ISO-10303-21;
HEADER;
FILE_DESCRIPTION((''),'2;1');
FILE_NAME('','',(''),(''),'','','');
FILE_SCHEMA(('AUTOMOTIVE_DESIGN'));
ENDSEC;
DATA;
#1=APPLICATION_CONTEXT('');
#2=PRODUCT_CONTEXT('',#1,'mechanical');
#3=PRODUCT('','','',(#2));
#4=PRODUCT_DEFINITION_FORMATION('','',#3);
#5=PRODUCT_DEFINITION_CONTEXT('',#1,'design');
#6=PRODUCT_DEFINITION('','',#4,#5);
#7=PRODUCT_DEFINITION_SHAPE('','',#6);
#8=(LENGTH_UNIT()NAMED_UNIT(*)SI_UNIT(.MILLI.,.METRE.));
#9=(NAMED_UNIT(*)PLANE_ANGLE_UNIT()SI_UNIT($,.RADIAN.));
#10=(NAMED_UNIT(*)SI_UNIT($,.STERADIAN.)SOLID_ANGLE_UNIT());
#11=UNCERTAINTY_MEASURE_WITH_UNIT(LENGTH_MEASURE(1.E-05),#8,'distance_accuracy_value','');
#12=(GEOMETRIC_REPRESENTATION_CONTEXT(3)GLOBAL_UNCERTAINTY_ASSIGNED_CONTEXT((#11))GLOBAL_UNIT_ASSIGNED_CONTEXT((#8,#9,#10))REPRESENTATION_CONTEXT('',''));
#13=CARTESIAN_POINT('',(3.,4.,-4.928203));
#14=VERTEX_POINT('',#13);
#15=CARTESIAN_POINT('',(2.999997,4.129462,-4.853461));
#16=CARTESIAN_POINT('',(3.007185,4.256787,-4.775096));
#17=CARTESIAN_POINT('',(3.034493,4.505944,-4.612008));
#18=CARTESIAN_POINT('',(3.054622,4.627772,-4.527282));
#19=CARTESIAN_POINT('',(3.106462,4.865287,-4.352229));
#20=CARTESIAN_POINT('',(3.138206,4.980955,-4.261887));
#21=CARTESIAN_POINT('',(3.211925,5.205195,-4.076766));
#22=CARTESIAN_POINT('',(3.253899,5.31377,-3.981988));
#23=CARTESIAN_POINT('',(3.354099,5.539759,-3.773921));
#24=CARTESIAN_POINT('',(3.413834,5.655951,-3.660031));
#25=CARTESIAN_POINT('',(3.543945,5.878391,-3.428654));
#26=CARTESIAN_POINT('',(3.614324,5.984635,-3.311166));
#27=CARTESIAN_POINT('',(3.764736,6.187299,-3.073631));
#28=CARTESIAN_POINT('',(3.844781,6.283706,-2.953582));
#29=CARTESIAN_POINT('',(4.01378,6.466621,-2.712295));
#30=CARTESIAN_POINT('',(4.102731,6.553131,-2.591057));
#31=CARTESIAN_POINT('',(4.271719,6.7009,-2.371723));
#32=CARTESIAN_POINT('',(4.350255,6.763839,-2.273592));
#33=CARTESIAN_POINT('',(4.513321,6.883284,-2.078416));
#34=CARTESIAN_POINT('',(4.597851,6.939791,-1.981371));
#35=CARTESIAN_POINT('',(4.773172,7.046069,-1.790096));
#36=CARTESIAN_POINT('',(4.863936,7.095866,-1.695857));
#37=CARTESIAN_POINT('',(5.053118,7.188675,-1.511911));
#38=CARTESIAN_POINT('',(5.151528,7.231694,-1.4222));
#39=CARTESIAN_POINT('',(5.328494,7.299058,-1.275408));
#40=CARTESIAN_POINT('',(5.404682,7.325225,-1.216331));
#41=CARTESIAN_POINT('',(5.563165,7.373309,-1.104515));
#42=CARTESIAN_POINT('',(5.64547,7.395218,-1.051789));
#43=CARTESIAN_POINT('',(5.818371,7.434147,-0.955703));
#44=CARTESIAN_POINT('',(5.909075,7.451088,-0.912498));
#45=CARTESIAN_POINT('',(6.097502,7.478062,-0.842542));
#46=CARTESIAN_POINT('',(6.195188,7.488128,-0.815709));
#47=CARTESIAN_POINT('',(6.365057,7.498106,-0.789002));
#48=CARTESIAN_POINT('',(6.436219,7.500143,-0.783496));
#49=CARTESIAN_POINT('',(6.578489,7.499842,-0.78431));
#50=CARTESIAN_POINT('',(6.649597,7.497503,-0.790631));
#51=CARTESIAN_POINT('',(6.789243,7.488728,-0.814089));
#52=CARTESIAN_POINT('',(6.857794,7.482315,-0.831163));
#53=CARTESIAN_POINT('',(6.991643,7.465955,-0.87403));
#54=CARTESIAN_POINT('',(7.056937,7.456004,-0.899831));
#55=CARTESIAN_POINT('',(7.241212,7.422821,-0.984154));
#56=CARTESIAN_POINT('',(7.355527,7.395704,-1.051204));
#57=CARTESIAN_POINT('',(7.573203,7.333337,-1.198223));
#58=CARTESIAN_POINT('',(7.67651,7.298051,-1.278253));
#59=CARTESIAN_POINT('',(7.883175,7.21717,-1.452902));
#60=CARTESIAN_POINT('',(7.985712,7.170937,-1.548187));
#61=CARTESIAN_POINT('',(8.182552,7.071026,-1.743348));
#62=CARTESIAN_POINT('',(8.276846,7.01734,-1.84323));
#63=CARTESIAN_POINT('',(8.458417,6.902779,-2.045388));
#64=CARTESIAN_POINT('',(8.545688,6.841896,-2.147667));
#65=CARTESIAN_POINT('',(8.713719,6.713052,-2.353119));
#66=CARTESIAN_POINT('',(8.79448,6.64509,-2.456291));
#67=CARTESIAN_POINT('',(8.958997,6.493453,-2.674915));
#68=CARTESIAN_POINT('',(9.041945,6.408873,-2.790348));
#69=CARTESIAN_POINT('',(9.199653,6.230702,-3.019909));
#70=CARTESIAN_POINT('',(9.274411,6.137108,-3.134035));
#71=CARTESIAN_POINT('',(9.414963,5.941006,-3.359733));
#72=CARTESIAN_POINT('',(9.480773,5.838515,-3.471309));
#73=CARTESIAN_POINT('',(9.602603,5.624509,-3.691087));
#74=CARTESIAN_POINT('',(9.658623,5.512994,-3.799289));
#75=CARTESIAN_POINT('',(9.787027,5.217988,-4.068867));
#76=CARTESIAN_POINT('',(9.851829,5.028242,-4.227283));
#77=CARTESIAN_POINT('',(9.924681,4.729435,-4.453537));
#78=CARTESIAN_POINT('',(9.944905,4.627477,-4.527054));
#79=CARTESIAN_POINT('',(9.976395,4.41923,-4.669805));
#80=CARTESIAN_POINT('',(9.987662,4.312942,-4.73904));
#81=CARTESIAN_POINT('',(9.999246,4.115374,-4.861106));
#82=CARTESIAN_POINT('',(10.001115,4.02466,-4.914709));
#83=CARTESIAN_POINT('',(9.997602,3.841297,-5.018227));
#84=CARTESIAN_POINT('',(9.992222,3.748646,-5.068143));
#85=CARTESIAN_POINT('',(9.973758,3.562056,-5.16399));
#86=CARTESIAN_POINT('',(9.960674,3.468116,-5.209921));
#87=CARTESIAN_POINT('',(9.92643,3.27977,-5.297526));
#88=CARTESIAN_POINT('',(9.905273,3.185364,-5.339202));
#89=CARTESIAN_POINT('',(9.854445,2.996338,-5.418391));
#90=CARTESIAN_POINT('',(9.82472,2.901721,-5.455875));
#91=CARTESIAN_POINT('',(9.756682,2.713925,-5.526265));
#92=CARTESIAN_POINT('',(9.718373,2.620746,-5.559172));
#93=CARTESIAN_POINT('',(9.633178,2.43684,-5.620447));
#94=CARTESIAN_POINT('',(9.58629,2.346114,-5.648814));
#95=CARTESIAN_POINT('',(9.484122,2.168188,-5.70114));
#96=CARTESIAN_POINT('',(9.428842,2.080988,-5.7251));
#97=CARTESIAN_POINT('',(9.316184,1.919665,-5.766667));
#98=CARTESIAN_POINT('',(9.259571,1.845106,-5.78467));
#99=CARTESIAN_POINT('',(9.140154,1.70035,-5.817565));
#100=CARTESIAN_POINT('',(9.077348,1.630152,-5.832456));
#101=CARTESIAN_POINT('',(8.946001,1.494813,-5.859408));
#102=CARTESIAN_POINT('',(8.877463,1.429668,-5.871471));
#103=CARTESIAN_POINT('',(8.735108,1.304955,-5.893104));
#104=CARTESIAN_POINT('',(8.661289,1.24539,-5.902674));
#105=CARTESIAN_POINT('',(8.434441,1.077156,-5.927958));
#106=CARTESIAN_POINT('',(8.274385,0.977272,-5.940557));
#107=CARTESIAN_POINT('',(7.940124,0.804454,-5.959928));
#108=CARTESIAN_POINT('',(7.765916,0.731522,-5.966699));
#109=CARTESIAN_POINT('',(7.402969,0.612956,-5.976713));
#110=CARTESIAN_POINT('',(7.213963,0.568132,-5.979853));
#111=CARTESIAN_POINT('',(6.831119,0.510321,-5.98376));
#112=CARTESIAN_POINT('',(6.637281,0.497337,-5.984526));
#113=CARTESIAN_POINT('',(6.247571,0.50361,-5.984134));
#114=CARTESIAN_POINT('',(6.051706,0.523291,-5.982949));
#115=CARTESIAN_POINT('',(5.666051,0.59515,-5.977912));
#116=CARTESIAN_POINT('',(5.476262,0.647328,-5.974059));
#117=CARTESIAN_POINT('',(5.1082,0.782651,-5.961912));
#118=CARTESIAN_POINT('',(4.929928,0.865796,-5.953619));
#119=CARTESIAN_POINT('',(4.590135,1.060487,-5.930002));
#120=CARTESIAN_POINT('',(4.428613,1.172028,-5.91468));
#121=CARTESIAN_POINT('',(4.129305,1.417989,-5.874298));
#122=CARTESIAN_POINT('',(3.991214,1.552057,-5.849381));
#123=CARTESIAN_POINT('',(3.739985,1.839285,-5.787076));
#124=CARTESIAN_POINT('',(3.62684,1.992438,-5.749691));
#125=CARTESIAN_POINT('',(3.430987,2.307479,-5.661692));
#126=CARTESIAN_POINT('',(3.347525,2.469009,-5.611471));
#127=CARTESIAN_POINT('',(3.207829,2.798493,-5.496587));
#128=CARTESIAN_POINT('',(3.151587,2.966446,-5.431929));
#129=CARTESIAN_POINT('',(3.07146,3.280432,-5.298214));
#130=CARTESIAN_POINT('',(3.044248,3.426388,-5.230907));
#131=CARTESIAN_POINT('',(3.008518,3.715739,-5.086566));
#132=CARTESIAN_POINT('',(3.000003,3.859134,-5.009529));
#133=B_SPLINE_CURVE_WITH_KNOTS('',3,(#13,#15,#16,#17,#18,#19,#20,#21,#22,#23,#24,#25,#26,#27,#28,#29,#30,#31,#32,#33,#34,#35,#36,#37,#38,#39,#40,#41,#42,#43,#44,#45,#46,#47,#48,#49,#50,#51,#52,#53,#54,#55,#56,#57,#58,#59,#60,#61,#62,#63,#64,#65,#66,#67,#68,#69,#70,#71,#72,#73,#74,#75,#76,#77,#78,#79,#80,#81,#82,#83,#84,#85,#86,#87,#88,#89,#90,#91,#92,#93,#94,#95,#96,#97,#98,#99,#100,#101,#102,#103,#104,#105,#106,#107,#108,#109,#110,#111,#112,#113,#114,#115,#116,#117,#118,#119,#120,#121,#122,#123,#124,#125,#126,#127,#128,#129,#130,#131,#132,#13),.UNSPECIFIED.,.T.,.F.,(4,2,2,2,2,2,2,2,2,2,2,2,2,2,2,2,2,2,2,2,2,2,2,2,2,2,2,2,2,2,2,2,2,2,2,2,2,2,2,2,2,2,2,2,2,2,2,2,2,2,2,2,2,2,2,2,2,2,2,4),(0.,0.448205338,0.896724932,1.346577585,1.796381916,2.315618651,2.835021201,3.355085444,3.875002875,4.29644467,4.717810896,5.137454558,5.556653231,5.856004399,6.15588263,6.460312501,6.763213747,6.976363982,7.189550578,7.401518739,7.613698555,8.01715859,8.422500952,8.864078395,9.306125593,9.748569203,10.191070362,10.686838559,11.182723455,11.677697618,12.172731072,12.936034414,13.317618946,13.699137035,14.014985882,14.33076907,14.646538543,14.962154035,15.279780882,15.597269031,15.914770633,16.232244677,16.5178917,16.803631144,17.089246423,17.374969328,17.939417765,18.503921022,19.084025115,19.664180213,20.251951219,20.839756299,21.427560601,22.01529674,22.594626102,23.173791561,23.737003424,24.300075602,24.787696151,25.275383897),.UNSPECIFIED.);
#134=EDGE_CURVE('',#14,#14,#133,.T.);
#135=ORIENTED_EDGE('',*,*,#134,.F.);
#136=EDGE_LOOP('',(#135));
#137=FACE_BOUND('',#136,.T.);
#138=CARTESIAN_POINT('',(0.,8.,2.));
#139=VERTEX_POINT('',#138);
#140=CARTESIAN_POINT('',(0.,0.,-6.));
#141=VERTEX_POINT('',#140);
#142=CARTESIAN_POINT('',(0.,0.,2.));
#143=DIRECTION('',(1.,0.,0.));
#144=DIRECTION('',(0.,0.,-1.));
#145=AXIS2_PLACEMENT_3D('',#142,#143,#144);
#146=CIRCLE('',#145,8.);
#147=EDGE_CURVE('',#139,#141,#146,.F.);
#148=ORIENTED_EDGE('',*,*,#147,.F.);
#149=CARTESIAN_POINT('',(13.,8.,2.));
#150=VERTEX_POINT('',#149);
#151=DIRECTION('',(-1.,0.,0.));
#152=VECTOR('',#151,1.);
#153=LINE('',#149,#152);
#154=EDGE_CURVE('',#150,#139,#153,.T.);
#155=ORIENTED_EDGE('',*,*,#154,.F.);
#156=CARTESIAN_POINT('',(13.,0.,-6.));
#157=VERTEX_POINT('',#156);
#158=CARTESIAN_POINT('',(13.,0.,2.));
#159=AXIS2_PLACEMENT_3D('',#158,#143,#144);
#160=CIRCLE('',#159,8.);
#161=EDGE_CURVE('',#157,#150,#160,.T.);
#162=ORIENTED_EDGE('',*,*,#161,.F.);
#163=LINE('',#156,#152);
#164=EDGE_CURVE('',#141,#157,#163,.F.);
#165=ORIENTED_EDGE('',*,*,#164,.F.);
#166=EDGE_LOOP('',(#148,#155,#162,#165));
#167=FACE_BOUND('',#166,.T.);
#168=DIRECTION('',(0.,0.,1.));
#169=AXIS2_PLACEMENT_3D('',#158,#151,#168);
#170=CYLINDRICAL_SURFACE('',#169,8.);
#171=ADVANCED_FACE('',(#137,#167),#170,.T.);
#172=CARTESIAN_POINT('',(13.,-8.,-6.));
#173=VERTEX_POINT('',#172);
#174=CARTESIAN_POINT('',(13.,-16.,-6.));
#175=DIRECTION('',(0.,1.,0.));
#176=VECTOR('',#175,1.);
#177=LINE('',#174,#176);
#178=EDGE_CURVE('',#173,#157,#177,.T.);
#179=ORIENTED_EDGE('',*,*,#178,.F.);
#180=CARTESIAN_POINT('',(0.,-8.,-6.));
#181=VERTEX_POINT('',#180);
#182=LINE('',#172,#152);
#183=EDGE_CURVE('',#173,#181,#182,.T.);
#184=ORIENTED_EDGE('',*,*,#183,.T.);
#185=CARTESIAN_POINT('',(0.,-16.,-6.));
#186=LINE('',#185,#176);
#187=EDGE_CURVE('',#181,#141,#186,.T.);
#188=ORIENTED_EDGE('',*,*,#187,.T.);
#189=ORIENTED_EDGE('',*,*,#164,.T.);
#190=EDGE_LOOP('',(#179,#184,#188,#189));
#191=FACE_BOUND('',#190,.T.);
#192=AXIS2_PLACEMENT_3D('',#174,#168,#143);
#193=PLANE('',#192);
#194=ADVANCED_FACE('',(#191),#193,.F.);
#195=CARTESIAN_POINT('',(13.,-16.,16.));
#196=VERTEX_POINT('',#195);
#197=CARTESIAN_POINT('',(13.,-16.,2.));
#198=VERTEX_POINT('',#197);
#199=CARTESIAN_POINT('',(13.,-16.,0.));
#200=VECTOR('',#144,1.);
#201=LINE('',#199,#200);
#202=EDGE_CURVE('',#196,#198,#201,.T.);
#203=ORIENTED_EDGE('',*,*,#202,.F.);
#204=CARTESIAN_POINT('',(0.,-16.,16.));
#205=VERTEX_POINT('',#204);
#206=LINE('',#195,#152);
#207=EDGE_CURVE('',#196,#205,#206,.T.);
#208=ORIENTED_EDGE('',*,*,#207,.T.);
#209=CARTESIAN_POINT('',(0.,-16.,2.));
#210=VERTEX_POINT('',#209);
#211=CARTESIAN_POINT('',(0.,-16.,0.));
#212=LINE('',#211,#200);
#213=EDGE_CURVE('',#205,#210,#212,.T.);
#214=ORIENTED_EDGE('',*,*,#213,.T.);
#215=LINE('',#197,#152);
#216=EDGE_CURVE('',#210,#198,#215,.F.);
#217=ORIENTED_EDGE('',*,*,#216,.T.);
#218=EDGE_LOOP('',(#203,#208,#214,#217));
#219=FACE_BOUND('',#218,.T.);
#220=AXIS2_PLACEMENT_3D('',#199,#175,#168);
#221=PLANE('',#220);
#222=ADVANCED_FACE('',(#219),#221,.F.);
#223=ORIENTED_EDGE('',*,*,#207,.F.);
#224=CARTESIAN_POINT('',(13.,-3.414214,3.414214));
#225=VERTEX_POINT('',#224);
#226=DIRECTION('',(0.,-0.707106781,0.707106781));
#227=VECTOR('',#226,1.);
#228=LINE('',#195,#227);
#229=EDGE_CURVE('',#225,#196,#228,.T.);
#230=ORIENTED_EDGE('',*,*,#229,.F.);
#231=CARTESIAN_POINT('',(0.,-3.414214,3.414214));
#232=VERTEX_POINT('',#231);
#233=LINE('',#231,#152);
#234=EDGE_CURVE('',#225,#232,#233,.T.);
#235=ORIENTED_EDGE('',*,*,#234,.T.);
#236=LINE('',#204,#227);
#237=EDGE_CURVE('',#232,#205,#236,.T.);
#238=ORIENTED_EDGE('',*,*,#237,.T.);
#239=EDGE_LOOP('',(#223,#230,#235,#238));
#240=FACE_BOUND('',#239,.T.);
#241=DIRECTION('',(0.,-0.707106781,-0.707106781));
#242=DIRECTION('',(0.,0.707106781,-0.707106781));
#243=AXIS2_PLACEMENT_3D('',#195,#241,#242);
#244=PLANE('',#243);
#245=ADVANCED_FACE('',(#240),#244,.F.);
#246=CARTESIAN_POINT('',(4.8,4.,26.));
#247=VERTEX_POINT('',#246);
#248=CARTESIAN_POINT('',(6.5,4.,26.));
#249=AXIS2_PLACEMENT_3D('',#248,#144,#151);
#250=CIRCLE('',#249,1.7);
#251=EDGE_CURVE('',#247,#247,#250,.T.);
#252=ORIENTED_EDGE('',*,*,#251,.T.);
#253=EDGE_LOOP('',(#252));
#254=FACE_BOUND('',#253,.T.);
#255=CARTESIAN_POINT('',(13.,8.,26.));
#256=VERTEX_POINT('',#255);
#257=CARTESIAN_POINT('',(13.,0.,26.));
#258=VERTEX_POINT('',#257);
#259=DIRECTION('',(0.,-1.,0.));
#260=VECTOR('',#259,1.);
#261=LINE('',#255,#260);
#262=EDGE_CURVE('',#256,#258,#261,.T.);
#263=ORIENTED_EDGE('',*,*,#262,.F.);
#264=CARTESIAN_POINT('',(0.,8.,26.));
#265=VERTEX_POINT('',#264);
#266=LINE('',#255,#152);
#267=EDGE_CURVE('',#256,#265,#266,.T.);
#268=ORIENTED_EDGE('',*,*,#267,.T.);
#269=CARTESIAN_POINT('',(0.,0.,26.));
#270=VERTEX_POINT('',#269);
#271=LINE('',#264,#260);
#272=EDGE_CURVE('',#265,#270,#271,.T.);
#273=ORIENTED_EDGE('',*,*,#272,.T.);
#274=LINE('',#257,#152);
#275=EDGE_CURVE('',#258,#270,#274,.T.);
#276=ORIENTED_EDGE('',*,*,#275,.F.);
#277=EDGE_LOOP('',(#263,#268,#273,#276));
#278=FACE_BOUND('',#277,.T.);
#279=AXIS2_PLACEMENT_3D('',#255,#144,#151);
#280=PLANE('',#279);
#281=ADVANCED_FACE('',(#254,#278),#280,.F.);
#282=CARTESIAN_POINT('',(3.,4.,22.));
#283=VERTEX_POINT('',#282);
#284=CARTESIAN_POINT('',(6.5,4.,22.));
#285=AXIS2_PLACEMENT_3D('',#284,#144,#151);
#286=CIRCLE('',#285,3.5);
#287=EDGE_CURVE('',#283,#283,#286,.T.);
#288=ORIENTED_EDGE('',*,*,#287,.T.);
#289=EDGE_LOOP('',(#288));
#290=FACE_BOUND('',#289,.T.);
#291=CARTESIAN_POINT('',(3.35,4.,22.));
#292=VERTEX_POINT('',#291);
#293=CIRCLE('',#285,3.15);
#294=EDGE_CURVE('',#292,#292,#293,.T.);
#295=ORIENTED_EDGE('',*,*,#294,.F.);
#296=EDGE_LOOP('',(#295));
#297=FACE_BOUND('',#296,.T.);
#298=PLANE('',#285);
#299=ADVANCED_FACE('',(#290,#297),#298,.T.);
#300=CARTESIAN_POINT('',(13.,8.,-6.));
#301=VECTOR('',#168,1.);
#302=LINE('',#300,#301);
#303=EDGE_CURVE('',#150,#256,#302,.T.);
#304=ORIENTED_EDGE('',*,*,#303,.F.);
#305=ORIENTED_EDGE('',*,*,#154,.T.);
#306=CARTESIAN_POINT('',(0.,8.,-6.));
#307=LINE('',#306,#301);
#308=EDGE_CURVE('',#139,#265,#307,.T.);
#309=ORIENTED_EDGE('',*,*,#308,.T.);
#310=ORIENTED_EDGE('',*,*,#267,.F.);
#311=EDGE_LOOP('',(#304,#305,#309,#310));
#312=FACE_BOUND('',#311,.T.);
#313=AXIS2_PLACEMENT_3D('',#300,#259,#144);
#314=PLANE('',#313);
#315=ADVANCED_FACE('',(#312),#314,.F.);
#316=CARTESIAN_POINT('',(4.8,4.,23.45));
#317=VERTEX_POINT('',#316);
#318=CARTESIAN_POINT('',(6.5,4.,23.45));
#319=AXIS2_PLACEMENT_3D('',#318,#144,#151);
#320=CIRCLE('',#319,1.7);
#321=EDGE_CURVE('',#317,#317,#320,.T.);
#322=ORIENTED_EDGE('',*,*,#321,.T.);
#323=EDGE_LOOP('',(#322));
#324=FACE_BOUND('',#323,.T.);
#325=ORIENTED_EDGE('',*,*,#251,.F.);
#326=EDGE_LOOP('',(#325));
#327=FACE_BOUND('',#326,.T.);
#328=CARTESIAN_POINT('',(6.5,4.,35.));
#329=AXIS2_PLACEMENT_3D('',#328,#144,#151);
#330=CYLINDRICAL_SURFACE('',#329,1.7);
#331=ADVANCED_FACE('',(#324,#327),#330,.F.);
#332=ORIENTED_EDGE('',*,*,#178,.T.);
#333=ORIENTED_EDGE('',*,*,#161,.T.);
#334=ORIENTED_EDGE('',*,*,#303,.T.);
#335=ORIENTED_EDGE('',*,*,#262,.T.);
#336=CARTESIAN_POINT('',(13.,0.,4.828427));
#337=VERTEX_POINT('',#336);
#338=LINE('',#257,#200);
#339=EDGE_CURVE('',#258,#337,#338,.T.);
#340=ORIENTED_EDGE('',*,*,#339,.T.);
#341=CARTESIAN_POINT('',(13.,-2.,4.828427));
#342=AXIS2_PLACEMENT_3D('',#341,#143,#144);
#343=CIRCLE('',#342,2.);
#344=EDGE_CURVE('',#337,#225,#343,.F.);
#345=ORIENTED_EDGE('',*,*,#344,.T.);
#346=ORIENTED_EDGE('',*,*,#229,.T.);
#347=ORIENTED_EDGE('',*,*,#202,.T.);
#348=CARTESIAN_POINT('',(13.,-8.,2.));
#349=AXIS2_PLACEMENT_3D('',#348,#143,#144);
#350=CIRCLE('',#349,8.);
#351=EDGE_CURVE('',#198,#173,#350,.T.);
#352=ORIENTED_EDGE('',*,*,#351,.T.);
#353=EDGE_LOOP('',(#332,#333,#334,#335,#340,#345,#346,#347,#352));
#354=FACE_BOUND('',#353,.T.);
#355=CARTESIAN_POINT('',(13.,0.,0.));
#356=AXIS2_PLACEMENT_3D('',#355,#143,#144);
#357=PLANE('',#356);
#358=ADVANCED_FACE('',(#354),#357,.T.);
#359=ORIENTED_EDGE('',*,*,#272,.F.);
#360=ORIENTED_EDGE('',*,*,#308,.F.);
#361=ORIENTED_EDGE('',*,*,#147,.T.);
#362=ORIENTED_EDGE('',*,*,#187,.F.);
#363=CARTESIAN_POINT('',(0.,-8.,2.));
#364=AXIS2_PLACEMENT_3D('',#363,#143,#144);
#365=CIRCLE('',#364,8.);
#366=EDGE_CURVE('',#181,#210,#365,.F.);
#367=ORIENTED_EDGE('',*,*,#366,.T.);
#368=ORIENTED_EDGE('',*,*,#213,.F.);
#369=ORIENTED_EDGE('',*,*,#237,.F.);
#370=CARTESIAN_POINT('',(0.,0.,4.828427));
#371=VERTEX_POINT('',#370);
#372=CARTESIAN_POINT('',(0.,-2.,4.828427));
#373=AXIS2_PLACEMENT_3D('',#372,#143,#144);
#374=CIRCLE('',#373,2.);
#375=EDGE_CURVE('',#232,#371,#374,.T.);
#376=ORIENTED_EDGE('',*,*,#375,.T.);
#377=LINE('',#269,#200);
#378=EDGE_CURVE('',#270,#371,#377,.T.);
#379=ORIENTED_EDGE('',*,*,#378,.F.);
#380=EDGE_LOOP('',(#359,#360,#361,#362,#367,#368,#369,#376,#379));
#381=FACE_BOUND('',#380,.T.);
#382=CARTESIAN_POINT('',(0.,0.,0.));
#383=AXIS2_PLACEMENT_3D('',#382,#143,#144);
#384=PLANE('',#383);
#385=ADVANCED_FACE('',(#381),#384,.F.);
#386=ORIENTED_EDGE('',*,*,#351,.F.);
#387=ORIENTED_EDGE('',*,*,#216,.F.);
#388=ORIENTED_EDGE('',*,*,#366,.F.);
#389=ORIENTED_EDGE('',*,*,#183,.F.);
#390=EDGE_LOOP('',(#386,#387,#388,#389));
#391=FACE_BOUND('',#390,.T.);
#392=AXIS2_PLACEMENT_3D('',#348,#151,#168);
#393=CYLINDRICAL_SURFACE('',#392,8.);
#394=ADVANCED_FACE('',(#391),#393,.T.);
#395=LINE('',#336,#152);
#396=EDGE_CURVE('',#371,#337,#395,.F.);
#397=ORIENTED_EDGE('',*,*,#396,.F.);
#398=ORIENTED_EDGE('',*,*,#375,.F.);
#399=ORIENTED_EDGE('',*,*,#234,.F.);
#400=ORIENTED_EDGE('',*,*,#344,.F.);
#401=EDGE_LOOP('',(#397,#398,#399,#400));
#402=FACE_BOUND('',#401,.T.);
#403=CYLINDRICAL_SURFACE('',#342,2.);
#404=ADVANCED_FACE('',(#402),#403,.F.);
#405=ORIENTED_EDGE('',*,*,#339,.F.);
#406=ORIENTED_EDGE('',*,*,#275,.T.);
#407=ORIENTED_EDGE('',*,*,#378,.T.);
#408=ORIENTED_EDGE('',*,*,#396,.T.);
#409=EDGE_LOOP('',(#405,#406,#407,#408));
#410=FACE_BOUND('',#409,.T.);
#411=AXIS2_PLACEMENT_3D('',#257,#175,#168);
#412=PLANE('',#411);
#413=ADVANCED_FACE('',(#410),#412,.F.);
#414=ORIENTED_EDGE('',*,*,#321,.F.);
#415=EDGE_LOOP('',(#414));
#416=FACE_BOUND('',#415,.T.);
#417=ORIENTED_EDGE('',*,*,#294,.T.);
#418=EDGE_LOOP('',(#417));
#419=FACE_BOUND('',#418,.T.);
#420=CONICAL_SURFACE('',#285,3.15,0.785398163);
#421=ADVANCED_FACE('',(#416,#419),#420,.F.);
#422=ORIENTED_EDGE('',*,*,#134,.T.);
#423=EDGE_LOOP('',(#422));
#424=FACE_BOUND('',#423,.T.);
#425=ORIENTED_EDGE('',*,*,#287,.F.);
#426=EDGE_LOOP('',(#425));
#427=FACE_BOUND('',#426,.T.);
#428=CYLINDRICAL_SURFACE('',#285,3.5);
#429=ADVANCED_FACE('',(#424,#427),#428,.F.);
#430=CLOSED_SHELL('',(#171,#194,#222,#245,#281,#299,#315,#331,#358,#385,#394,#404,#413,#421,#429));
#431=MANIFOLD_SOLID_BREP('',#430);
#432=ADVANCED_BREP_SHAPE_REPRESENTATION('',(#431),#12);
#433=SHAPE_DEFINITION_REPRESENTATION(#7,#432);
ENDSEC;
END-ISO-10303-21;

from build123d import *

# Parameters (mm, degrees)
BOSS_EXTRUDE1_DEPTH                                 = 13
FILLET2_R                                           = 8
SKETCH2_R                                           = 1.7
CUT_EXTRUDE1_DEPTH                                  = 41
SKETCH3_R                                           = 3.5
CUT_EXTRUDE2_DEPTH                                  = 28
CSK_FOR_M3_COUNTERSUNK_FLAT_HEAD_SCREW1_D           = 3.2
CSK_FOR_M3_COUNTERSUNK_FLAT_HEAD_SCREW1_CSINK_D     = 6.3
CSK_FOR_M3_COUNTERSUNK_FLAT_HEAD_SCREW1_CSINK_ANGLE = 90
FILLET3_R                                           = 2


with BuildPart() as part:
    # Sketch1 → Boss-Extrude1 (new body)
    with BuildSketch(Plane(origin=(0, 0, 0), x_dir=(0, 0, -1), z_dir=(1, 0, 0))):
        Polygon((0, -16), (-16, -16), (0, 0), (-26, 0), (-26, 8), (6, 8), (6, -16), align=None)
    extrude(amount=BOSS_EXTRUDE1_DEPTH)

    # Fillet2
    fillet2_edges = [part.edges().sort_by_distance(p)[0] for p in [
        (6.5, 8, -6),
        (6.5, -16, -6),
    ]]
    fillet(fillet2_edges, radius=FILLET2_R)

    # Sketch2 → Cut-Extrude1 (cut)
    with BuildSketch(Plane(origin=(0, 0, -6), x_dir=(-1, 0, 0), z_dir=(0, 0, -1))):
        with Locations((-6.5, 4)):
            Circle(SKETCH2_R)
    extrude(amount=-CUT_EXTRUDE1_DEPTH, mode=Mode.SUBTRACT)

    # Sketch3 → Cut-Extrude2 (cut)
    with BuildSketch(Plane(origin=(0, 0, -6), x_dir=(-1, 0, 0), z_dir=(0, 0, -1))):
        with Locations((-6.5, 4)):
            Circle(SKETCH3_R)
    extrude(amount=-CUT_EXTRUDE2_DEPTH, mode=Mode.SUBTRACT)

    # CSK for M3 Countersunk Flat Head Screw1 (through all)
    with Locations(Plane(origin=(0, 0, 22), x_dir=(-1, 0, 0), z_dir=(0, 0, -1))):
        with Locations((-6.5, 4)):
            CounterSinkHole(CSK_FOR_M3_COUNTERSUNK_FLAT_HEAD_SCREW1_D / 2, CSK_FOR_M3_COUNTERSUNK_FLAT_HEAD_SCREW1_CSINK_D / 2, counter_sink_angle=CSK_FOR_M3_COUNTERSUNK_FLAT_HEAD_SCREW1_CSINK_ANGLE)

    # Fillet3
    fillet3_edges = [part.edges().sort_by_distance(p)[0] for p in [
        (6.5, 0, 0),
    ]]
    fillet(fillet3_edges, radius=FILLET3_R)


solid = part.part
